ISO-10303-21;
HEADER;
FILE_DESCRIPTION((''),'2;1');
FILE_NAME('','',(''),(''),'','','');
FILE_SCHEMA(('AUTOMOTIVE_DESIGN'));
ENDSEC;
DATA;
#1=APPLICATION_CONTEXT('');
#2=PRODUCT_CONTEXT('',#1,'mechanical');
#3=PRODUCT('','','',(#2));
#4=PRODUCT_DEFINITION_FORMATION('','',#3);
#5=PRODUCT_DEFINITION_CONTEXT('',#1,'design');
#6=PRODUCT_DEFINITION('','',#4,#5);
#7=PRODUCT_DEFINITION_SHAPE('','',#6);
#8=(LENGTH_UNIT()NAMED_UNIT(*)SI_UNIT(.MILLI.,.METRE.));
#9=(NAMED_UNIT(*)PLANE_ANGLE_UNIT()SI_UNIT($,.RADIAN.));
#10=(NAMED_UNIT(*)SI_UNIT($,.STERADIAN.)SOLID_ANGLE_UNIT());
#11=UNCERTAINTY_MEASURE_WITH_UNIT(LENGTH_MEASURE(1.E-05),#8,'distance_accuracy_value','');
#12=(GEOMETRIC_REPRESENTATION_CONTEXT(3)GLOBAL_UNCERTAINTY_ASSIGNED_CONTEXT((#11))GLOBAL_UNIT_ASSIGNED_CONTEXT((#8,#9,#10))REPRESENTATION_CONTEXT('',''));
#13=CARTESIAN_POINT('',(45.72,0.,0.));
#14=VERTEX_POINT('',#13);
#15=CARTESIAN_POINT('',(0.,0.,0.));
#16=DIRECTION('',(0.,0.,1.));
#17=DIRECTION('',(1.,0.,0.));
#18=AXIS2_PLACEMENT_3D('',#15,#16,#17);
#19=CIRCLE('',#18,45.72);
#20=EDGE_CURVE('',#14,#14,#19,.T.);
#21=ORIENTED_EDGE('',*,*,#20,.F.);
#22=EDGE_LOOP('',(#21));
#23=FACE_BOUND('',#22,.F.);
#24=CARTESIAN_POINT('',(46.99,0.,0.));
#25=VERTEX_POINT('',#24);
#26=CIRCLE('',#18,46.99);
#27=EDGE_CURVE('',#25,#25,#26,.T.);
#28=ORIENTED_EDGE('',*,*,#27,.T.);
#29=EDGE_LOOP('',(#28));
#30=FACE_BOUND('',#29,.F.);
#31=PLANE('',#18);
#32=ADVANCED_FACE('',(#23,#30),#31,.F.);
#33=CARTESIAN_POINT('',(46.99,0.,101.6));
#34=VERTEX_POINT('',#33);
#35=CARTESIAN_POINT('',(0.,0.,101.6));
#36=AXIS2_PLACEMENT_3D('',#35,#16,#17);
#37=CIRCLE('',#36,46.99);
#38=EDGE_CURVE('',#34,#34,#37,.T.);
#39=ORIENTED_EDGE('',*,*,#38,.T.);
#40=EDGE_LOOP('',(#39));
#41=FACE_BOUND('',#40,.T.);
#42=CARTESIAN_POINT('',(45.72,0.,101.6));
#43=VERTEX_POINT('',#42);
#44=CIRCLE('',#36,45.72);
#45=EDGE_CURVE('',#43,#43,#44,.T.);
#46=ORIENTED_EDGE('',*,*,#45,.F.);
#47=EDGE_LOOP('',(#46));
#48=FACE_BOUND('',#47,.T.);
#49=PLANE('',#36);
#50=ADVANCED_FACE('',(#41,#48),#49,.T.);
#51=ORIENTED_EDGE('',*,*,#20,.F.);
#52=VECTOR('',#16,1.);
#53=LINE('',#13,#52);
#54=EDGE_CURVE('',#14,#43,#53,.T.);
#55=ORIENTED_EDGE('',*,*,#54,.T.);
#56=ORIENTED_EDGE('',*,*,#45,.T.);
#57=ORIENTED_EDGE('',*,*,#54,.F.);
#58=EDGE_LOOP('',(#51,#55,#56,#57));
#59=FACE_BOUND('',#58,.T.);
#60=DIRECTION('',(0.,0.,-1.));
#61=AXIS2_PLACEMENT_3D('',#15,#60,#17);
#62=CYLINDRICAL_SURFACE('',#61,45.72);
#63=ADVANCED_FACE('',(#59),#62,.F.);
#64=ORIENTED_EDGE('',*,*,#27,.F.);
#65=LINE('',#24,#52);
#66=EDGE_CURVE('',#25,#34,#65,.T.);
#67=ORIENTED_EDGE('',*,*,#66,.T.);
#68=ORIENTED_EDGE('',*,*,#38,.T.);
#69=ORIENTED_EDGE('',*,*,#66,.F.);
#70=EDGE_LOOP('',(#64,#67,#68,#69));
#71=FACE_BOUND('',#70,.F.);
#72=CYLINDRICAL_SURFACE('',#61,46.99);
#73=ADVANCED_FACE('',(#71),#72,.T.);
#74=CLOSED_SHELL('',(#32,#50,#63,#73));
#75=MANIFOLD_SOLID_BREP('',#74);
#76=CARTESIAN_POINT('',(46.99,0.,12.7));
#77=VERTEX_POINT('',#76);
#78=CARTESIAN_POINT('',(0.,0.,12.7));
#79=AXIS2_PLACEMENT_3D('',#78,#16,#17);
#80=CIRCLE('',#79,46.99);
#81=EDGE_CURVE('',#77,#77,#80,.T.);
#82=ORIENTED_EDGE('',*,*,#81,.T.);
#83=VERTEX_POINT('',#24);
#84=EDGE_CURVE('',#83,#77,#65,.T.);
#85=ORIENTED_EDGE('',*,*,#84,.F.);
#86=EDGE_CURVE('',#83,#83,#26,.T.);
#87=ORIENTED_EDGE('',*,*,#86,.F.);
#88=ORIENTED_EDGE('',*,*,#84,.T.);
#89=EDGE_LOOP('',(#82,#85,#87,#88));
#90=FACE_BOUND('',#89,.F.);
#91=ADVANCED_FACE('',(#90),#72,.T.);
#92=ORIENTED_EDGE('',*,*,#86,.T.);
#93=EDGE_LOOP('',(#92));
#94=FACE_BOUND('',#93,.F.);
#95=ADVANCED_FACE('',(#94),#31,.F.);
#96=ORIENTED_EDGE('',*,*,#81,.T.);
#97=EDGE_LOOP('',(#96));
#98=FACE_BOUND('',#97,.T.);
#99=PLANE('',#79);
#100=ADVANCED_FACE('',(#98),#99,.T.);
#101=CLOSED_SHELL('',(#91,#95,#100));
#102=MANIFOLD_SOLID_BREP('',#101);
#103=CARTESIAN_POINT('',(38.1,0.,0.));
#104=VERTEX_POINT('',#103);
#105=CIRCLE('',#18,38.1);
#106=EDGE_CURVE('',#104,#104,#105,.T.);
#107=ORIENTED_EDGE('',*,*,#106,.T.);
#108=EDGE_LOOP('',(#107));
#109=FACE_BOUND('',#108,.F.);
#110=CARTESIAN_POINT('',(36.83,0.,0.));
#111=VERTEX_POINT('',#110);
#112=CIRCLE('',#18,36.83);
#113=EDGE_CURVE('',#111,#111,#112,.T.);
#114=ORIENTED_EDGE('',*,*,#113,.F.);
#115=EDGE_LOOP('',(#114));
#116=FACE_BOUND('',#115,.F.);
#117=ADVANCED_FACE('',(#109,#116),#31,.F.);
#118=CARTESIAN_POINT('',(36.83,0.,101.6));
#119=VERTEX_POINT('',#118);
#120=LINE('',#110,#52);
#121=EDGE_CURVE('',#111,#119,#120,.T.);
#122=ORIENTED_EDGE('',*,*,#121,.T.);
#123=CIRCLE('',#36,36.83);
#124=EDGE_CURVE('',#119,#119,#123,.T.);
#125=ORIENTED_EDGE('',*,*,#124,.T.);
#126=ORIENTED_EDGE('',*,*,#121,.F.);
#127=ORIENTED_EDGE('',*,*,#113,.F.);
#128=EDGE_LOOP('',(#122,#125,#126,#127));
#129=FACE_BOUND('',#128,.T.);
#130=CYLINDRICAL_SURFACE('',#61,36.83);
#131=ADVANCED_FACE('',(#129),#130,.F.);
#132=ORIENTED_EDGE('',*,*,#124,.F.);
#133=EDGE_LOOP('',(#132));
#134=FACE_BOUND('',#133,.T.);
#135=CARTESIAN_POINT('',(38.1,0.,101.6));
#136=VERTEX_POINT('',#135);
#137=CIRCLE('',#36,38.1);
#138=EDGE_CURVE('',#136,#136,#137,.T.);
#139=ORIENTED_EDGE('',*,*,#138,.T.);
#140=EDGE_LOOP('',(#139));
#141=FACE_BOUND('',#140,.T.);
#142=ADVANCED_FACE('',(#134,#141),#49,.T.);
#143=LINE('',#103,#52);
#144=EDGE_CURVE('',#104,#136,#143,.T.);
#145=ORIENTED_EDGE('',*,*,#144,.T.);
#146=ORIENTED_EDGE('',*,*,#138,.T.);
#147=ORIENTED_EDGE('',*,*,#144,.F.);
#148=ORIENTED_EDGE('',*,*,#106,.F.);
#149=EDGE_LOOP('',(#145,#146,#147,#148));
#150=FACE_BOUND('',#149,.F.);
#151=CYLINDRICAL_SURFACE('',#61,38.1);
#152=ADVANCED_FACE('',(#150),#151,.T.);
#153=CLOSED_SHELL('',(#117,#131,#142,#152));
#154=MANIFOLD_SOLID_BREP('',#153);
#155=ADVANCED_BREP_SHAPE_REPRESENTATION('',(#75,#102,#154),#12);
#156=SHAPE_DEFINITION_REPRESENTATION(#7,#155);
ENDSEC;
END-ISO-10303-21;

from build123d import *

# Parameters (mm, degrees)
F0_R     = 46.99
F0_R_2   = 45.72
F1_DEPTH = 101.6
F2_R     = 38.1
F2_R_2   = 36.83
F3_DEPTH = 101.6
F4_R     = 46.99
F5_DEPTH = 12.7


with BuildPart() as f1:
    # F0 (on Top) → F1 (new body)
    with BuildSketch(Plane.XY):
        Circle(F0_R)
        Circle(F0_R_2, mode=Mode.SUBTRACT)
    extrude(amount=F1_DEPTH)


with BuildPart() as f3:
    # F2 (on Top) → F3 (new body)
    with BuildSketch(Plane.XY):
        Circle(F2_R)
        Circle(F2_R_2, mode=Mode.SUBTRACT)
    extrude(amount=F3_DEPTH)


with BuildPart() as f5:
    # F4 (on Top) → F5 (new body)
    with BuildSketch(Plane.XY):
        Circle(F4_R)
    extrude(amount=F5_DEPTH)


solid = Compound([f1.part, f3.part, f5.part])
